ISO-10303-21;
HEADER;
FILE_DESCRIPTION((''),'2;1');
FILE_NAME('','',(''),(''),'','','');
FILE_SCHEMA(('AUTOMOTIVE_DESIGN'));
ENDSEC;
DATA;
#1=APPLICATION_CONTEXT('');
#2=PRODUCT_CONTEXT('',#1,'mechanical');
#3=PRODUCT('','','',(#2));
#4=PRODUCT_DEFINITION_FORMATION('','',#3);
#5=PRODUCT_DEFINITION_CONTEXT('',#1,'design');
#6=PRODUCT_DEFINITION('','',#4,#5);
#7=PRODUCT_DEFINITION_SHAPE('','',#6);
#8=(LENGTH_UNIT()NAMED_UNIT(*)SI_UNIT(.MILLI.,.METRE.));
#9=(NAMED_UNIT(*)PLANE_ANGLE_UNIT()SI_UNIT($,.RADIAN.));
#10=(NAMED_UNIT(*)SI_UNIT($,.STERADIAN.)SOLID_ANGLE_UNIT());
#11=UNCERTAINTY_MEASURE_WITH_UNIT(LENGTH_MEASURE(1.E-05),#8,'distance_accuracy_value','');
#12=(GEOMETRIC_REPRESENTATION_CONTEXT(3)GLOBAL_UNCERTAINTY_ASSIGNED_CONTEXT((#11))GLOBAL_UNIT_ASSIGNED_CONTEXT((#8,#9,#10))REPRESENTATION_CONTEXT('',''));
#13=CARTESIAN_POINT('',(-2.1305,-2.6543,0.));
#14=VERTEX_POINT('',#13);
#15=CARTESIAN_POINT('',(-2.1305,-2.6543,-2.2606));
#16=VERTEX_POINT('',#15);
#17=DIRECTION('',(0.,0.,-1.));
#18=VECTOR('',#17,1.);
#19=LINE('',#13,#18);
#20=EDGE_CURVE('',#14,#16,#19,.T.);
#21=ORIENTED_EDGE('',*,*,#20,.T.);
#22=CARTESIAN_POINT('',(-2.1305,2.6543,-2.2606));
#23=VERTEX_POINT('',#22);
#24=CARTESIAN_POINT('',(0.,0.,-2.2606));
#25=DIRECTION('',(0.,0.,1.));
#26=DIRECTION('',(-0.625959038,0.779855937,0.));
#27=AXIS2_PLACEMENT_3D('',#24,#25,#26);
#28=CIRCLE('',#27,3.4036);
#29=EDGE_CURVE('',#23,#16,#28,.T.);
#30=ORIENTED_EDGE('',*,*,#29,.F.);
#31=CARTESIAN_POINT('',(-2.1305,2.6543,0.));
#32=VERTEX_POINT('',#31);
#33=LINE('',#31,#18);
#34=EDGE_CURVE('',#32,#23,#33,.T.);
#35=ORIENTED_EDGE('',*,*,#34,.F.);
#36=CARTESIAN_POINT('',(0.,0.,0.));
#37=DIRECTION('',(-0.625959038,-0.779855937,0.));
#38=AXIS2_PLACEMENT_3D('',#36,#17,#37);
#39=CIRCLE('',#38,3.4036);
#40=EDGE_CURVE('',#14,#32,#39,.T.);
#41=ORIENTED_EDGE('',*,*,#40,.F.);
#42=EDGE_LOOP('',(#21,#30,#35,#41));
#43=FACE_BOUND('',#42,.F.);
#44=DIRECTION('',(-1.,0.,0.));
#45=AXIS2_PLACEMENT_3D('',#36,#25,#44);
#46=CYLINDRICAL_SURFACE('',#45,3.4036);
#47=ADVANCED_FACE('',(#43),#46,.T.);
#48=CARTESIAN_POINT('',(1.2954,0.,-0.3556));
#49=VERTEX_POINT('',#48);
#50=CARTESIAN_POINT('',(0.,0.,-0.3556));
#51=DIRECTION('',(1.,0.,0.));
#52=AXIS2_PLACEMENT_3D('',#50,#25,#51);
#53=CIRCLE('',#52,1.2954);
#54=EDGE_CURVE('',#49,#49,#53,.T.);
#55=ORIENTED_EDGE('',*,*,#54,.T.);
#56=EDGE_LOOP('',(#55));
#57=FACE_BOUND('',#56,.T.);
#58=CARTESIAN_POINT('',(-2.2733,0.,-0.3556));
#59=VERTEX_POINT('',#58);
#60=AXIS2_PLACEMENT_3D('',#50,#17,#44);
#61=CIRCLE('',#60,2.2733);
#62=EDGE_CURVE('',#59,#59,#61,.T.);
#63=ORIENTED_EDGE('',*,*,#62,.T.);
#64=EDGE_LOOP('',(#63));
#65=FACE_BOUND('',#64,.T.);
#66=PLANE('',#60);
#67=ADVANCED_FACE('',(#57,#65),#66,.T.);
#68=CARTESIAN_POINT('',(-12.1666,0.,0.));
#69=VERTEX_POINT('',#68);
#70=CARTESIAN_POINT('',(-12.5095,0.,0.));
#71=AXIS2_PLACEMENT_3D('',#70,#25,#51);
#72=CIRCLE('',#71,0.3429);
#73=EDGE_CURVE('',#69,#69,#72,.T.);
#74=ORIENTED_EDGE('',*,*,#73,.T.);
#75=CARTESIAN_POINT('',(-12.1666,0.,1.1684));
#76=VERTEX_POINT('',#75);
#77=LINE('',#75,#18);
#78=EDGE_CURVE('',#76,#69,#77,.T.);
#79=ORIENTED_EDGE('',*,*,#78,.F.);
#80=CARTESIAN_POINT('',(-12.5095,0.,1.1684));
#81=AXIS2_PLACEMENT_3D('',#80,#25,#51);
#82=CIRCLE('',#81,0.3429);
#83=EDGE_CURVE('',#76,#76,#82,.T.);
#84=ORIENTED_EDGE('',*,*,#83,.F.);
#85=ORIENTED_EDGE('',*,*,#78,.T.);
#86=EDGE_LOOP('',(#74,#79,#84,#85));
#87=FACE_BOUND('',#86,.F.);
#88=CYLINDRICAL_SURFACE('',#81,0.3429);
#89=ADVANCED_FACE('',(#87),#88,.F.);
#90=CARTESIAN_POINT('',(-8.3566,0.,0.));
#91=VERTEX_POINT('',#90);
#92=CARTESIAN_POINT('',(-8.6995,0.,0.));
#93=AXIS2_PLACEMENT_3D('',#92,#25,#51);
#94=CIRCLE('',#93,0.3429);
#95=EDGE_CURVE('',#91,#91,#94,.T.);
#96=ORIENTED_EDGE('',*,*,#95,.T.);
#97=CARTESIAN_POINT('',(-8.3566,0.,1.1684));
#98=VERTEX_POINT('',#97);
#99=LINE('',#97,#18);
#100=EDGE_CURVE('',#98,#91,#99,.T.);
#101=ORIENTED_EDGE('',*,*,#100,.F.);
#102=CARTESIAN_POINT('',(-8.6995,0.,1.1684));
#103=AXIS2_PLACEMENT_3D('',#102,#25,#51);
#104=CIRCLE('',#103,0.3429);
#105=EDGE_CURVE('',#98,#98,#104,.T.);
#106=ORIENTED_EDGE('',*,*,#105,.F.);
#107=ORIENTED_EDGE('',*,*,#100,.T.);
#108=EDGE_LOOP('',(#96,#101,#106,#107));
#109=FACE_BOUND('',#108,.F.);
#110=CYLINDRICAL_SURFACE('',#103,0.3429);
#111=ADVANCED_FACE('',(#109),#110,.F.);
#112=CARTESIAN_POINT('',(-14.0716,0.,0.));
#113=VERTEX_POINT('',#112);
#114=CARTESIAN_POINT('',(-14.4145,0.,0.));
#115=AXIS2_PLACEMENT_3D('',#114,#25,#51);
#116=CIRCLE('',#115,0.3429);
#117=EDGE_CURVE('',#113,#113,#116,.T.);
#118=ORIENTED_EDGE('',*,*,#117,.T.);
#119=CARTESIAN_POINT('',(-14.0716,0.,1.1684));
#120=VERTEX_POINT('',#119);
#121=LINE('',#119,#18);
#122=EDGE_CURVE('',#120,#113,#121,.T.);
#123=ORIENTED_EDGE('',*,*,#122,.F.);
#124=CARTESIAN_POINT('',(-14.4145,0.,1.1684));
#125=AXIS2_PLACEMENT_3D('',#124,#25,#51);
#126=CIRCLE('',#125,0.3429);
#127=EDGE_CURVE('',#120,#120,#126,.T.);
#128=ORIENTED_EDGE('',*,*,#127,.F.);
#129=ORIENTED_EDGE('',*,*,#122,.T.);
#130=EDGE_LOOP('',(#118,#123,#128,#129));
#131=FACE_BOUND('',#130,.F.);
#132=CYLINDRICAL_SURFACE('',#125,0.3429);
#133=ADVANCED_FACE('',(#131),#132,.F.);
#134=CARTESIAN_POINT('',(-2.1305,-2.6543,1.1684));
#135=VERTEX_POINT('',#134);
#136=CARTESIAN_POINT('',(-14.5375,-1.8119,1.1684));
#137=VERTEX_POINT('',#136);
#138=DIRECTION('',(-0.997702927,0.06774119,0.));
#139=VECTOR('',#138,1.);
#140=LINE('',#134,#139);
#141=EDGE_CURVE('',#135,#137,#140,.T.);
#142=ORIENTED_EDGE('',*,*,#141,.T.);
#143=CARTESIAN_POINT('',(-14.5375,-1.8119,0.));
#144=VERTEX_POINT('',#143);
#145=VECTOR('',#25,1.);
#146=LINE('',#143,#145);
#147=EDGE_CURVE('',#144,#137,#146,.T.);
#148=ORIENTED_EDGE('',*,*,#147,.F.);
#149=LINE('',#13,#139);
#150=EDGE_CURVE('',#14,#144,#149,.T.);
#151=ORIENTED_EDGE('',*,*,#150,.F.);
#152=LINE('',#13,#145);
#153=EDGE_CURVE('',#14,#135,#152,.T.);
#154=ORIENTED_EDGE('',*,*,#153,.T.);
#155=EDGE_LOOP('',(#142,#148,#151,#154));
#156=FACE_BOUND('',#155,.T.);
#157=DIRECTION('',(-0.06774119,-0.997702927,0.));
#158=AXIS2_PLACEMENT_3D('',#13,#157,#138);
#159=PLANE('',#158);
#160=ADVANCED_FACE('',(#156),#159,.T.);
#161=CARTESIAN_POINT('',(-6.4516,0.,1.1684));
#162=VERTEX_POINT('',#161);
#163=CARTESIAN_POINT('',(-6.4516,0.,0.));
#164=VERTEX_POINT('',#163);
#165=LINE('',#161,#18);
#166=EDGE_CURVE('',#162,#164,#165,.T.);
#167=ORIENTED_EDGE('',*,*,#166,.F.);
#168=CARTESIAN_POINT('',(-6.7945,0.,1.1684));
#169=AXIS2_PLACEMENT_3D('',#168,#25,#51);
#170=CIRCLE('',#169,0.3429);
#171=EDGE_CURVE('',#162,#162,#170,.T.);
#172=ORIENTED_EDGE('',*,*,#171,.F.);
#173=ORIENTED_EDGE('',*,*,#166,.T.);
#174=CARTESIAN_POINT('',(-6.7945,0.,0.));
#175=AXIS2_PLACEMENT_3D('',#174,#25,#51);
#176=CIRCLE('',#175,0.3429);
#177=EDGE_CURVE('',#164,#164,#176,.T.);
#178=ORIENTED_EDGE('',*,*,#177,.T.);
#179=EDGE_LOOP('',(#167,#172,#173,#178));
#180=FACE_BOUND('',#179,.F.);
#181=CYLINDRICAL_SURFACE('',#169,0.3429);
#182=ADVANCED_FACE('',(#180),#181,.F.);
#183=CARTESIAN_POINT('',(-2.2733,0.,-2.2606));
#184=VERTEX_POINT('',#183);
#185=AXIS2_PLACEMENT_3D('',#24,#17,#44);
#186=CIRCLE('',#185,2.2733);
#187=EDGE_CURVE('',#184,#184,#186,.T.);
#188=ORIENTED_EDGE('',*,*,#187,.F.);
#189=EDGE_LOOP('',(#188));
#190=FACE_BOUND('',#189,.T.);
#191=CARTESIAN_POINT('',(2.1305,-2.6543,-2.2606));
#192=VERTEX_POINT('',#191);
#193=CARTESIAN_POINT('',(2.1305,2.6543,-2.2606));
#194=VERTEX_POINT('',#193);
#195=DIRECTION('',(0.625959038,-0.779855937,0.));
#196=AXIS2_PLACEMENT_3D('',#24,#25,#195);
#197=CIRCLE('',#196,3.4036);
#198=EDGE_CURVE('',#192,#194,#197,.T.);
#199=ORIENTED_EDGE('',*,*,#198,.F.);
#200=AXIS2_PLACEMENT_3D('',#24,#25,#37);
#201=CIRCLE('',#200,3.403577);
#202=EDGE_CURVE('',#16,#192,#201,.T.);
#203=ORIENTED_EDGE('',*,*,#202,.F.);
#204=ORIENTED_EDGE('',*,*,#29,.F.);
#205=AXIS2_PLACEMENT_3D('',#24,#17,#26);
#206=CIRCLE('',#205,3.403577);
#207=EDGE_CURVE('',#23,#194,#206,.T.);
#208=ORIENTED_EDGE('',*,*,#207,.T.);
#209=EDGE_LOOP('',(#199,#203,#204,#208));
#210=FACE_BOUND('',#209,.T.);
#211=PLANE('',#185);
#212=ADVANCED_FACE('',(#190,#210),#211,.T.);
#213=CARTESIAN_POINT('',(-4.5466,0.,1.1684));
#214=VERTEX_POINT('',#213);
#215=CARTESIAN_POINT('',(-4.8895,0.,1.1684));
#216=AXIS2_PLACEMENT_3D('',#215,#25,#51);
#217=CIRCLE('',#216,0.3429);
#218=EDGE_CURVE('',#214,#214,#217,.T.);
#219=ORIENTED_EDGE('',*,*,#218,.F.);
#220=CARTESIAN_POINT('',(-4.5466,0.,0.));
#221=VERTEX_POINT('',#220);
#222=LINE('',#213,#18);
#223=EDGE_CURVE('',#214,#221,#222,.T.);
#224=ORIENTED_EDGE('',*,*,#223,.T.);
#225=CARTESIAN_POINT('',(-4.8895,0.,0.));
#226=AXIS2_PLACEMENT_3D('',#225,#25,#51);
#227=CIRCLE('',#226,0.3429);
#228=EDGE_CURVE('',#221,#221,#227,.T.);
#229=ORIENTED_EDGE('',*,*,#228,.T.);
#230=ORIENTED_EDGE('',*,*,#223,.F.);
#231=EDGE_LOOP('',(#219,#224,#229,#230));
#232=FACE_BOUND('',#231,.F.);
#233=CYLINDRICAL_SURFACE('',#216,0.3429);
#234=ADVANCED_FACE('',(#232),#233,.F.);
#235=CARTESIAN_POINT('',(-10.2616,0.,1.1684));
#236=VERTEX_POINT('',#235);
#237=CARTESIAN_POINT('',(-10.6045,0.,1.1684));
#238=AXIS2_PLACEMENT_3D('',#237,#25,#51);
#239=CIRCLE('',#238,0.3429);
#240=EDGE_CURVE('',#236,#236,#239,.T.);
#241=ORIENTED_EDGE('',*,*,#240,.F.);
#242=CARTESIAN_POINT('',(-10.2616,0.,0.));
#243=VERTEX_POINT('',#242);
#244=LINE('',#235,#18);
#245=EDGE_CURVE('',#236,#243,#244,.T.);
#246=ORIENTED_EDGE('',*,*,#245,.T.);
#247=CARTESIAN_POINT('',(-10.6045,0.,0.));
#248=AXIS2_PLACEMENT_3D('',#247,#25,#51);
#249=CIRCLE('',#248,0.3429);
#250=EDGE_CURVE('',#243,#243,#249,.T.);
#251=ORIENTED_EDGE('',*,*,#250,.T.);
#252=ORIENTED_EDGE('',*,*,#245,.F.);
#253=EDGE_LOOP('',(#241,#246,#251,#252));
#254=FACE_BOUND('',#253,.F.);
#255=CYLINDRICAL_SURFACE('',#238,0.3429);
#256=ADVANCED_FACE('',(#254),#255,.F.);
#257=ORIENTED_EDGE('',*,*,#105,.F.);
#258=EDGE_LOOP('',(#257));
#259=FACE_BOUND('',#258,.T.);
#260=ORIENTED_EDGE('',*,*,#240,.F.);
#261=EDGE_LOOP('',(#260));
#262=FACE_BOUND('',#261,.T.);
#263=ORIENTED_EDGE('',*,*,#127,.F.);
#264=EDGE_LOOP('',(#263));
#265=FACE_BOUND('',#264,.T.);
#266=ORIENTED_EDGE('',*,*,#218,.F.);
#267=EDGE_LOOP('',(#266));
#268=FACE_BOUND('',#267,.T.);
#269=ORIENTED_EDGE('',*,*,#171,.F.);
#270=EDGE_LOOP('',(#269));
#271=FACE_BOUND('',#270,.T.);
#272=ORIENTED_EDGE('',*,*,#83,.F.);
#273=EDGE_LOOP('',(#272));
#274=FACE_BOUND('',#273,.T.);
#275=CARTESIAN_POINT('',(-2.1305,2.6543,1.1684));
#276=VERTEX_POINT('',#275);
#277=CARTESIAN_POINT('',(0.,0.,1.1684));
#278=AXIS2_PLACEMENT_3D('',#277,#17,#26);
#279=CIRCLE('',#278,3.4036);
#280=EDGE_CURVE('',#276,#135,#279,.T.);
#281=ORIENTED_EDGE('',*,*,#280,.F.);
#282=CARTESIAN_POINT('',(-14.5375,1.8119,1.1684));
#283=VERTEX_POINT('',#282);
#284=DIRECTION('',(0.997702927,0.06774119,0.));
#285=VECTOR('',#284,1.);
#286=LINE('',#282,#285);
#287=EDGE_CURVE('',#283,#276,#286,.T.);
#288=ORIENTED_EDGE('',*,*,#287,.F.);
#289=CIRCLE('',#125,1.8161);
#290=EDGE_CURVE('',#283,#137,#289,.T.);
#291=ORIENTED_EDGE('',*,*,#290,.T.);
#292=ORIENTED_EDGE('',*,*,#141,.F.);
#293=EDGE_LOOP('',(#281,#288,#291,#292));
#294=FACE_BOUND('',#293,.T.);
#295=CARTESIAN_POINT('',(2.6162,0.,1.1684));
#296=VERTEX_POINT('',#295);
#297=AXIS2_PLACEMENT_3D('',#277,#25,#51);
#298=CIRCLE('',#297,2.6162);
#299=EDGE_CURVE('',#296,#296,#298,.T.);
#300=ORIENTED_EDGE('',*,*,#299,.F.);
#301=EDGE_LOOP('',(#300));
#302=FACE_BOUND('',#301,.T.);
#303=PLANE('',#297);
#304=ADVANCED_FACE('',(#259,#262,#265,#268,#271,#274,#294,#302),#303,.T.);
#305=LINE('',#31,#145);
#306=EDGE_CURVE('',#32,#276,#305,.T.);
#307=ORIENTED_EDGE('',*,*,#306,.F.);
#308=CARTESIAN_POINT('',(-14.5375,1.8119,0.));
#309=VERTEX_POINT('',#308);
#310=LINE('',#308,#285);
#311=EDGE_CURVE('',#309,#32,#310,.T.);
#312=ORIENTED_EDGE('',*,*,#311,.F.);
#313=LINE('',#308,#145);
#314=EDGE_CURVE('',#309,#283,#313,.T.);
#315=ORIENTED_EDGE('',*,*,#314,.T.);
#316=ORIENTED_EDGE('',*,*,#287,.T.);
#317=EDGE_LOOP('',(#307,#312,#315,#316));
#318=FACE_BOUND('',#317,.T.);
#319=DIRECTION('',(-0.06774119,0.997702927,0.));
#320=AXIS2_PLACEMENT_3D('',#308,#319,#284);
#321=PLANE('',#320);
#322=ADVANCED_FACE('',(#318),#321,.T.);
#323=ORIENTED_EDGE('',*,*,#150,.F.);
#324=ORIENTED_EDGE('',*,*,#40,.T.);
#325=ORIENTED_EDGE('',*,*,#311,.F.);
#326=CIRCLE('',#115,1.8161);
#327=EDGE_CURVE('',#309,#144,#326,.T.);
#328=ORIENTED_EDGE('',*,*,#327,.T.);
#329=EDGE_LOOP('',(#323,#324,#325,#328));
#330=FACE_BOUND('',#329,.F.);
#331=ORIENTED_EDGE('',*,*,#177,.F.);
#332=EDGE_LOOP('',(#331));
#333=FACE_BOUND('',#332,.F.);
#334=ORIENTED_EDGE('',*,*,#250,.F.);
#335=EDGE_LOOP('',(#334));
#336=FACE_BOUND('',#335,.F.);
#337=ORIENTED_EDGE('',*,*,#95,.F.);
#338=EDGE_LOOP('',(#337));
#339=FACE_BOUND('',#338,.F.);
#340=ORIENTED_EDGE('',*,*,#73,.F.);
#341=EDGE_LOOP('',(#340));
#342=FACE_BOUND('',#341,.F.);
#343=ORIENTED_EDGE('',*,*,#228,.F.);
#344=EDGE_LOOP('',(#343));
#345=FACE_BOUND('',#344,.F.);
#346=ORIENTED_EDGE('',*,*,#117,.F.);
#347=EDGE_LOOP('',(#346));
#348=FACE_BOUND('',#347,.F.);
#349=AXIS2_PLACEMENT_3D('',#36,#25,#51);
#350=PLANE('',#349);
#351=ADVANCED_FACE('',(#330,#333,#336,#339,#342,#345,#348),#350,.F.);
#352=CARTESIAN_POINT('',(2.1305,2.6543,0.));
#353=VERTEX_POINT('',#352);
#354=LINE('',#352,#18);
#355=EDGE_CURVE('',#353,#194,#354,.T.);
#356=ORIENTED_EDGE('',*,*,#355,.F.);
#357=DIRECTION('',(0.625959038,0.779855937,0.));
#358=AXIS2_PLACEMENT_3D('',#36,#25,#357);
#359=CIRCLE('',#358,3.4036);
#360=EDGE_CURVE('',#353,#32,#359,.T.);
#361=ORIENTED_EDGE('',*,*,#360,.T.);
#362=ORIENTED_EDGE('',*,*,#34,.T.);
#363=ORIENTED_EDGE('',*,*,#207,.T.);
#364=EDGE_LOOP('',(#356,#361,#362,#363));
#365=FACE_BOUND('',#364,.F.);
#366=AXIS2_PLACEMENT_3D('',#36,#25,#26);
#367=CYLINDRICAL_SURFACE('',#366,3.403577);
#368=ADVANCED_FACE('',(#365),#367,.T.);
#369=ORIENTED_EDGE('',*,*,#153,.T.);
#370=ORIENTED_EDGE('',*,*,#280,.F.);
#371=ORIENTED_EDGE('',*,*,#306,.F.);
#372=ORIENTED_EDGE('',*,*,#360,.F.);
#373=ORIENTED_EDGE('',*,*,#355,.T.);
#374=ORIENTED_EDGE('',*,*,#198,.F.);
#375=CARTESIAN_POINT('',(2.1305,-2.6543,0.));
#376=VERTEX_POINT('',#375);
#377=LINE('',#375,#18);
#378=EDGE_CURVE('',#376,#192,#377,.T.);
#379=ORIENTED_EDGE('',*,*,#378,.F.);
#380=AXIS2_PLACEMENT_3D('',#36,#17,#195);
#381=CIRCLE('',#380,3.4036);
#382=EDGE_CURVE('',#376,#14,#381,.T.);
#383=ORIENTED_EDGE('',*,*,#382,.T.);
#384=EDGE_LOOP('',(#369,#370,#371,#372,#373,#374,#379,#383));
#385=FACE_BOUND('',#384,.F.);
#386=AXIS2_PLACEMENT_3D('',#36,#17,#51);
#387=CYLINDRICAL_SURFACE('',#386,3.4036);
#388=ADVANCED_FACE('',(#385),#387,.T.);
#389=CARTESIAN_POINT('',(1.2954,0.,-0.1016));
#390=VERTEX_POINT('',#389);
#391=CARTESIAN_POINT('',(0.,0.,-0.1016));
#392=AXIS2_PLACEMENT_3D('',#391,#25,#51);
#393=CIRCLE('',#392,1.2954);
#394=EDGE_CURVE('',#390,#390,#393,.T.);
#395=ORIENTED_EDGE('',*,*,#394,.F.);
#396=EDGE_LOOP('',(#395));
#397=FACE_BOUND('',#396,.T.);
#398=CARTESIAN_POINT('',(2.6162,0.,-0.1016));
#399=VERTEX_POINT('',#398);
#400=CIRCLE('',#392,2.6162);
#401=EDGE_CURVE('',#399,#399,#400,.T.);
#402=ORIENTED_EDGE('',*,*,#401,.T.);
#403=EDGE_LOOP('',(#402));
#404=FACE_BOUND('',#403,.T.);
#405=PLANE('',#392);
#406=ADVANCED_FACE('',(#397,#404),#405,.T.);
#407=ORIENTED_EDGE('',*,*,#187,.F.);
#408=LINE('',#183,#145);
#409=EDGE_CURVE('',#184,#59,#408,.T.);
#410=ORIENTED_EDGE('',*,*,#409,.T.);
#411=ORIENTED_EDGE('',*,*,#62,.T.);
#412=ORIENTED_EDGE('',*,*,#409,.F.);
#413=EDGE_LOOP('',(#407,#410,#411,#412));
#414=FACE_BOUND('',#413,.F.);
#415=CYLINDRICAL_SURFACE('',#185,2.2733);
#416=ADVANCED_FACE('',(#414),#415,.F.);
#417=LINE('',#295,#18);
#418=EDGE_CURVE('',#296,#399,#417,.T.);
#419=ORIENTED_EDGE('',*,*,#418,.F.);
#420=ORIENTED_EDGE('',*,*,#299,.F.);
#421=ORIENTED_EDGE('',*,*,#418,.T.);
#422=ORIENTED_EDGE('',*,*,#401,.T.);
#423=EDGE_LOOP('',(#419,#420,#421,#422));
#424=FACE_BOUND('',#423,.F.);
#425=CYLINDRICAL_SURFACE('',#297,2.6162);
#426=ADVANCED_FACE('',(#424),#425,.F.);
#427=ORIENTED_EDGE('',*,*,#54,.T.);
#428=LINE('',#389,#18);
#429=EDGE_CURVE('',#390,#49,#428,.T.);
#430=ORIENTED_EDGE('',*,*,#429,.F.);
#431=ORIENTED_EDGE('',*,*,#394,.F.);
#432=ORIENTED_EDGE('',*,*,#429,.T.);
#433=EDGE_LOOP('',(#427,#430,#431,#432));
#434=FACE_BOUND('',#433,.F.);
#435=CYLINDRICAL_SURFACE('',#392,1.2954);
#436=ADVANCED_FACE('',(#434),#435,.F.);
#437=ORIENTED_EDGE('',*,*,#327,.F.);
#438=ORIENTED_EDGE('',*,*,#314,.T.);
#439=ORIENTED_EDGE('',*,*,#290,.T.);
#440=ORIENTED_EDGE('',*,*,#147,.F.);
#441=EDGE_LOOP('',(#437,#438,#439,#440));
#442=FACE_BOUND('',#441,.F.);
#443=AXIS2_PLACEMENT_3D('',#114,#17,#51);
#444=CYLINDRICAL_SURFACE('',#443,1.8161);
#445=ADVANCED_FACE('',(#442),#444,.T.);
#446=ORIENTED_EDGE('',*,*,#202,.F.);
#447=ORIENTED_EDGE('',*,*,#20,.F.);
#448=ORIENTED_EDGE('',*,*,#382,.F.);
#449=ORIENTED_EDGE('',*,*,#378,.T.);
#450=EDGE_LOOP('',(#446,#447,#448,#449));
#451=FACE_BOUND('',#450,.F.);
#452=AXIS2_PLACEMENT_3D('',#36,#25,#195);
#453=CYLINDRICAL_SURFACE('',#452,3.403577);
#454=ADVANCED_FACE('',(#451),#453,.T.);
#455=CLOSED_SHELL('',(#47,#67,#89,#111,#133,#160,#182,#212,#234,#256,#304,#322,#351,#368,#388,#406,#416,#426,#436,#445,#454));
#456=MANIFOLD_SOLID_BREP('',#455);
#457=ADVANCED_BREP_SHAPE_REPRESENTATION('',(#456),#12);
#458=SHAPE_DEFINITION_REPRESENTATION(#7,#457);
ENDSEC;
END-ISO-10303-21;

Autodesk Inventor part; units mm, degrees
ref_plane "YZ Plane" through (0, 0, 0) normal (1, 0, 0) x (0, 1, 0)
ref_plane "XZ Plane" through (0, 0, 0) normal (0, 1, 0) x (-1, 0, 0)
ref_plane "XY Plane" through (0, 0, 0) normal (0, 0, 1) x (1, 0, 0)
sketch "Sketch1" plane through (0, 0, 0) normal (0, 0, 1) x (1, 0, 0)
  circle A0 centre (0, 0) radius 3.4036
  circle A1 centre (-14.4145, 0) radius 1.8161
  circle A2 centre (14.4145, 0) radius 1.8161
  line L0 (0, 0) -> (0, 12.9246) construction
  line L1 (-14.5375, 1.8119) -> (-2.1305, 2.6543)
  line L2 (2.1305, 2.6543) -> (14.5375, 1.8119)
  line L3 (14.5375, -1.8119) -> (2.1305, -2.6543)
  line L4 (-2.1305, -2.6543) -> (-14.5375, -1.8119)
  dimension "d0" = 6.8072
  dimension "d1" = 3.6322
  dimension "d2" = 32.4612
  dimension "d3" = 5.3086
extrude "Extrusion1" add sketch "Sketch1" along normal blind 1.1684
sketch "Sketch2" plane through (0, 0, 0) normal (0, 0, -1) x (-1, 0, 0)
  arc A0 (14.5375, -1.8119) -> (14.5375, 1.8119) centre (14.4145, 0) ccw projected
  line L0 (2.1305, 2.6543) -> (14.5375, 1.8119) projected
  arc A1 (2.1305, 2.6543) -> (-2.1305, 2.6543) centre (0, 0) ccw projected
  line L1 (-14.5375, 1.8119) -> (-2.1305, 2.6543) projected
  arc A2 (-14.5375, 1.8119) -> (-14.5375, -1.8119) centre (-14.4145, 0) ccw projected
  line L2 (-2.1305, -2.6543) -> (-14.5375, -1.8119) projected
  arc A3 (-2.1305, -2.6543) -> (2.1305, -2.6543) centre (0, 0) ccw projected
  line L3 (14.5375, -1.8119) -> (2.1305, -2.6543) projected
  circle A4 centre (0, 0) radius 3.4036
extrude "Extrusion2" add sketch "Sketch2" along normal blind 2.2606 contours A3 A4 A1
sketch "Sketch3" plane through (0, 0, -2.2606) normal (0, 0, -1) x (-1, 0, 0)
  circle A0 centre (0, 0) radius 2.2733
  dimension "d8" = 4.5466
extrude "Extrusion3" cut sketch "Sketch3" against normal blind 1.905
sketch "Sketch4" plane through (0, 0, 1.1684) normal (0, 0, 1) x (1, 0, 0)
  circle A0 centre (0, 0) radius 2.6162
  dimension "d11" = 5.2324
extrude "Extrusion4" cut sketch "Sketch4" against normal blind 1.27
sketch "Sketch5" plane through (0, 0, -0.1016) normal (0, 0, 1) x (1, 0, 0)
  circle A0 centre (0, 0) radius 1.2954
  dimension "d14" = 2.5908
extrude "Extrusion5" cut sketch "Sketch5" against normal blind 1.27
sketch "Sketch6" plane through (0, 0, 1.1684) normal (0, 0, 1) x (1, 0, 0)
  arc A0 (-14.5375, 1.8119) -> (-14.5375, -1.8119) centre (-14.4145, 0) ccw projected
  circle A1 centre (-14.4145, 0) radius 0.3429
  point P0 (0, 0)
  dimension "d17" = 0.6858
extrude "Extrusion6" cut sketch "Sketch6" against normal through all
pattern_linear "Rectangular Pattern1" count 6 spacing 1.905 along (1, 0, 0) of "Extrusion6"
mirror "Mirror1" about plane through (0, 0, 0) normal (1, 0, 0) of "Extrusion6", "Rectangular Pattern1"
sketch "Sketch7" plane through (0, 0, 1.1684) normal (0, 0, 1) x (1, 0, 0)
  arc A0 (2.1305, 2.6543) -> (-2.1305, 2.6543) centre (0, 0) ccw projected
  arc A1 (-2.1305, -2.6543) -> (2.1305, -2.6543) centre (0, 0) ccw projected
  circle A2 centre (0, 0) radius 3.4036
  circle A3 centre (0, 0) radius 3.4036 projected
  line L0 (1.1266, 3.2117) -> (19.4496, 9.8398)
  line L1 (19.4496, 9.8398) -> (21.7312, -12.9756)
  line L2 (21.7312, -12.9756) -> (1.4617, -3.0737)
extrude "Extrusion7" cut sketch "Sketch7" against normal through all contours A0 L0 L1 L2 A1 A2
properties part number "1 Way MicroServo Attachment"
